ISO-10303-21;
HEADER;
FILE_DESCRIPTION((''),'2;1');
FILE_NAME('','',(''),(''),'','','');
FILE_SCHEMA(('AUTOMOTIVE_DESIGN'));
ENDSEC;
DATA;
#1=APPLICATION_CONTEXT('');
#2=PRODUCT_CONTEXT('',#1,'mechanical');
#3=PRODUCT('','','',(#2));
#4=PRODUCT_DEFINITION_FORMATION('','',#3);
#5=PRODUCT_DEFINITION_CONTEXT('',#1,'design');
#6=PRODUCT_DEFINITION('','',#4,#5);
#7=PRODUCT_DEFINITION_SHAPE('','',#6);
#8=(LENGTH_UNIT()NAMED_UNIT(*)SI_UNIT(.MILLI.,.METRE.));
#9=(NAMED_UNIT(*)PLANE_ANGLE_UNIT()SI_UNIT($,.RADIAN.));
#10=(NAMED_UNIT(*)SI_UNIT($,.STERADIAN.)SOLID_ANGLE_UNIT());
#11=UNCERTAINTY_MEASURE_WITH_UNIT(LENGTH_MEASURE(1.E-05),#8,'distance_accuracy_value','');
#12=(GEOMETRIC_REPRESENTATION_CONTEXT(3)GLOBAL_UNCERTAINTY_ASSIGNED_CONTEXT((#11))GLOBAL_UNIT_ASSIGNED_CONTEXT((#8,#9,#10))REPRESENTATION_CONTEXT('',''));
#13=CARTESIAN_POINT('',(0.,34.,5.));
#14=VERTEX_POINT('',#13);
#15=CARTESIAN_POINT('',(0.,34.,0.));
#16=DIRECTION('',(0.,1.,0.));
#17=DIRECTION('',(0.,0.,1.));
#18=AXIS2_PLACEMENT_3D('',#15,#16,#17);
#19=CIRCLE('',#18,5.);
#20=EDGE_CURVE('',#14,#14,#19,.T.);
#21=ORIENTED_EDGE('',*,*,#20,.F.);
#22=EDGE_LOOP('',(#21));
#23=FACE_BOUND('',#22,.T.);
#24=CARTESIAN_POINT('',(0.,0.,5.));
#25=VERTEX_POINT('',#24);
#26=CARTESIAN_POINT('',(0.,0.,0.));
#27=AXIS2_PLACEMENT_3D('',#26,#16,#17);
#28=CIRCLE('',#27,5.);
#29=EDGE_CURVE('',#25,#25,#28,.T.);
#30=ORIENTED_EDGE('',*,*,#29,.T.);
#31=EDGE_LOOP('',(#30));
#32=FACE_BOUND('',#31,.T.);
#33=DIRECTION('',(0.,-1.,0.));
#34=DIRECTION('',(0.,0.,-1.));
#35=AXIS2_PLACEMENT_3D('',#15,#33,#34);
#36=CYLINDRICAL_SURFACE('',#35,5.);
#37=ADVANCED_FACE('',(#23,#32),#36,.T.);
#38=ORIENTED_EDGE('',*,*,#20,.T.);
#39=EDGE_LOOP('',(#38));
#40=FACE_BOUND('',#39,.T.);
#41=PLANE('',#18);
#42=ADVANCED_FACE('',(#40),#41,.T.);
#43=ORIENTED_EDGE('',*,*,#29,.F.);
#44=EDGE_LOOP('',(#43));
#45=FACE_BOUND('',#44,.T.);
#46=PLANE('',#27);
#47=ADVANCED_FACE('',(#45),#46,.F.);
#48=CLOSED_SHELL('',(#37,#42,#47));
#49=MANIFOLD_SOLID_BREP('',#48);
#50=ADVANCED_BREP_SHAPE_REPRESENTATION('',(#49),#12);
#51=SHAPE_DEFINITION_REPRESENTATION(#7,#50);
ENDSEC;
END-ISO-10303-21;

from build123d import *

# Parameters (mm, degrees)
SKETCH1_R           = 5
BOSS_EXTRUDE1_DEPTH = 34


with BuildPart() as part:
    # Sketch1 → Boss-Extrude1 (new body)
    with BuildSketch(Plane(origin=(0, 0, 0), x_dir=(1, 0, 0), z_dir=(0, 1, 0))):
        Circle(SKETCH1_R)
    extrude(amount=BOSS_EXTRUDE1_DEPTH)


solid = part.part
